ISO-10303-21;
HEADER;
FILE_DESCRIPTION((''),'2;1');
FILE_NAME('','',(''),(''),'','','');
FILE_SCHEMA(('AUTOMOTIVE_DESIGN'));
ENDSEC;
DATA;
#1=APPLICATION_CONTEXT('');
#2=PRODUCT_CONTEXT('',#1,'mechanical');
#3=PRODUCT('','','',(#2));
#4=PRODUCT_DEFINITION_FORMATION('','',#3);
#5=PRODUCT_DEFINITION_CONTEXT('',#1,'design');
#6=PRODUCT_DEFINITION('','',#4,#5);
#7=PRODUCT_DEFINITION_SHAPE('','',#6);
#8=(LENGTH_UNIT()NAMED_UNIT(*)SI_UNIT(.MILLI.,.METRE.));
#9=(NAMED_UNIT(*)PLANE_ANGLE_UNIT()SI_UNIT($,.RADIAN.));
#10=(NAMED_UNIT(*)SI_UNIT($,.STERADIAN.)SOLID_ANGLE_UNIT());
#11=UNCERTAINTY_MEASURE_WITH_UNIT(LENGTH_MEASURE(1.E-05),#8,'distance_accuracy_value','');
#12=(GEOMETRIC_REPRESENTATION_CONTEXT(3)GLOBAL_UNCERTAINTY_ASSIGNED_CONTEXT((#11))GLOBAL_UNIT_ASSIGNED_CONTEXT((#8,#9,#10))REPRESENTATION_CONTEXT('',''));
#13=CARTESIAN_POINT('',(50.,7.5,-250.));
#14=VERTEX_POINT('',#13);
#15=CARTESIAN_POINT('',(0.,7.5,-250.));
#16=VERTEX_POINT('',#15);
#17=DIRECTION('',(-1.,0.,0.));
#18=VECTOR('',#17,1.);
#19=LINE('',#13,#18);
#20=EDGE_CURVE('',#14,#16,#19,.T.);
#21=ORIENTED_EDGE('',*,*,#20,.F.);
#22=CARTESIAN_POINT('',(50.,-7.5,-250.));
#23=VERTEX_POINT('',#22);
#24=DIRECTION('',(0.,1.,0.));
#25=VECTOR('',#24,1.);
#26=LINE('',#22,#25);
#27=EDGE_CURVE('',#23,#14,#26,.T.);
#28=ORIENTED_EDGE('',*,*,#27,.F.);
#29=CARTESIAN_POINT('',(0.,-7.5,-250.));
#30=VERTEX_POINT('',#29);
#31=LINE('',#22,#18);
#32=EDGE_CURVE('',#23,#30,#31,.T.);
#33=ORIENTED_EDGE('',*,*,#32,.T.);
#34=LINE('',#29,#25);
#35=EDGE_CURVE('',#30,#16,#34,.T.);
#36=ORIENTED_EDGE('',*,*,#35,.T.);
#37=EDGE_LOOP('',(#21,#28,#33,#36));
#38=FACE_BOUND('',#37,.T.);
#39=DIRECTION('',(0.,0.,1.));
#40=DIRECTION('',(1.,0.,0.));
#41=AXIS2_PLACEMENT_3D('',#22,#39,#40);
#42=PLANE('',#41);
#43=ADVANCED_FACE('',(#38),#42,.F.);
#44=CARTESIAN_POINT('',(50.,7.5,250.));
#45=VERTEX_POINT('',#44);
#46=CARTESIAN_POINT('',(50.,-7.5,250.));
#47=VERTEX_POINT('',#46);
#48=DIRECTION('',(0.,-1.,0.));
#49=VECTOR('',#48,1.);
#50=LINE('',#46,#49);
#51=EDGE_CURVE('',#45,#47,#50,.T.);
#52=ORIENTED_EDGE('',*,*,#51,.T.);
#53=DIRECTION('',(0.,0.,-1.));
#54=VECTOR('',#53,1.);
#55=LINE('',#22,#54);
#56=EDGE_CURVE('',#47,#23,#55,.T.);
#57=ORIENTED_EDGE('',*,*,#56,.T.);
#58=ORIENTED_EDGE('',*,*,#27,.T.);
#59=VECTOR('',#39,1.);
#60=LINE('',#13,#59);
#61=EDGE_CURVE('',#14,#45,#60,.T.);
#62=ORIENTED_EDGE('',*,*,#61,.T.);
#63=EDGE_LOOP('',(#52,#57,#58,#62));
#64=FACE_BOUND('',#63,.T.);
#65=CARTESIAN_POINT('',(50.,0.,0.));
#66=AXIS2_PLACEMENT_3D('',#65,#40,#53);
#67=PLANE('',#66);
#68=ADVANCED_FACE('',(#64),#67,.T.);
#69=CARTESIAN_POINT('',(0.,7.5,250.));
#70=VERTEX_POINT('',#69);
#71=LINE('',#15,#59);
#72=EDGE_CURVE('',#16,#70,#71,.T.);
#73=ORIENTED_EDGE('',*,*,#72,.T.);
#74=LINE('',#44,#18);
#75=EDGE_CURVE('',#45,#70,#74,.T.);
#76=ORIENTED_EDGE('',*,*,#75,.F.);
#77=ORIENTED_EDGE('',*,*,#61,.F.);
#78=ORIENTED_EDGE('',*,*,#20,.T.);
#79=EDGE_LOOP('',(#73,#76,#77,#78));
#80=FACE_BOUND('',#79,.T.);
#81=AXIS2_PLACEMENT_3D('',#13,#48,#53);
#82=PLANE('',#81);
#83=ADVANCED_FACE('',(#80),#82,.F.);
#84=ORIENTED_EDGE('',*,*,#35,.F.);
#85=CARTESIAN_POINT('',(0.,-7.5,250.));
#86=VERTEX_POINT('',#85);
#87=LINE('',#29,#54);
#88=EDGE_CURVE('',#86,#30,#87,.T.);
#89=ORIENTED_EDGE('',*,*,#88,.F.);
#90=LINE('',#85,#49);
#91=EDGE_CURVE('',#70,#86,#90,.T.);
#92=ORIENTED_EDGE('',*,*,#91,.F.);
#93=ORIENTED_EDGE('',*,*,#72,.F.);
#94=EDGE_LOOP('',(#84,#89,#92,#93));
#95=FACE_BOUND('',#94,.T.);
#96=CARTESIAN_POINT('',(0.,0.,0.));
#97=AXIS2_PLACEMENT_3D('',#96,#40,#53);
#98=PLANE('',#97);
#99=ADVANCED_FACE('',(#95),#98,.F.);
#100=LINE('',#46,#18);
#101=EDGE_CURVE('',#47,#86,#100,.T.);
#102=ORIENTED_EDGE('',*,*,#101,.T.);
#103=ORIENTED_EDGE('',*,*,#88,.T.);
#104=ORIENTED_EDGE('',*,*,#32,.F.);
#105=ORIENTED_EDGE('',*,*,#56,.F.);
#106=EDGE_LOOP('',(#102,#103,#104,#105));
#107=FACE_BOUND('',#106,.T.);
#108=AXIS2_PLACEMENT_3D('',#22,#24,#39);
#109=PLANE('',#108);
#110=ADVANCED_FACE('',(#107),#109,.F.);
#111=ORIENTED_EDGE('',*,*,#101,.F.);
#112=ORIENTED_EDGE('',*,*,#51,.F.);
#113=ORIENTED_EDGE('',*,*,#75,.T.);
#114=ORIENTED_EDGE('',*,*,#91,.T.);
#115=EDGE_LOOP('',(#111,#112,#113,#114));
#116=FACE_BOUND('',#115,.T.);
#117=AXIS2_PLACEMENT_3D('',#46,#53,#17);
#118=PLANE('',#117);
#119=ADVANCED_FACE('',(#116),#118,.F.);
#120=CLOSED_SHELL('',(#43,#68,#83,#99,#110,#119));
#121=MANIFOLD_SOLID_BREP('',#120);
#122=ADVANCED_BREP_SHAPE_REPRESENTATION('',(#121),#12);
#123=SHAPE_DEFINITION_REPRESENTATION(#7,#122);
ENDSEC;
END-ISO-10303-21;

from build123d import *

# Parameters (mm, degrees)
CROQUIS2_W              = 500
CROQUIS2_H              = 15
SALIENTE_EXTRUIR1_DEPTH = 50


with BuildPart() as part:
    # Croquis2 → Saliente-Extruir1 (new body)
    with BuildSketch(Plane(origin=(0, 0, 0), x_dir=(0, 0, -1), z_dir=(1, 0, 0))):
        Rectangle(CROQUIS2_W, CROQUIS2_H)
    extrude(amount=SALIENTE_EXTRUIR1_DEPTH)


solid = part.part
